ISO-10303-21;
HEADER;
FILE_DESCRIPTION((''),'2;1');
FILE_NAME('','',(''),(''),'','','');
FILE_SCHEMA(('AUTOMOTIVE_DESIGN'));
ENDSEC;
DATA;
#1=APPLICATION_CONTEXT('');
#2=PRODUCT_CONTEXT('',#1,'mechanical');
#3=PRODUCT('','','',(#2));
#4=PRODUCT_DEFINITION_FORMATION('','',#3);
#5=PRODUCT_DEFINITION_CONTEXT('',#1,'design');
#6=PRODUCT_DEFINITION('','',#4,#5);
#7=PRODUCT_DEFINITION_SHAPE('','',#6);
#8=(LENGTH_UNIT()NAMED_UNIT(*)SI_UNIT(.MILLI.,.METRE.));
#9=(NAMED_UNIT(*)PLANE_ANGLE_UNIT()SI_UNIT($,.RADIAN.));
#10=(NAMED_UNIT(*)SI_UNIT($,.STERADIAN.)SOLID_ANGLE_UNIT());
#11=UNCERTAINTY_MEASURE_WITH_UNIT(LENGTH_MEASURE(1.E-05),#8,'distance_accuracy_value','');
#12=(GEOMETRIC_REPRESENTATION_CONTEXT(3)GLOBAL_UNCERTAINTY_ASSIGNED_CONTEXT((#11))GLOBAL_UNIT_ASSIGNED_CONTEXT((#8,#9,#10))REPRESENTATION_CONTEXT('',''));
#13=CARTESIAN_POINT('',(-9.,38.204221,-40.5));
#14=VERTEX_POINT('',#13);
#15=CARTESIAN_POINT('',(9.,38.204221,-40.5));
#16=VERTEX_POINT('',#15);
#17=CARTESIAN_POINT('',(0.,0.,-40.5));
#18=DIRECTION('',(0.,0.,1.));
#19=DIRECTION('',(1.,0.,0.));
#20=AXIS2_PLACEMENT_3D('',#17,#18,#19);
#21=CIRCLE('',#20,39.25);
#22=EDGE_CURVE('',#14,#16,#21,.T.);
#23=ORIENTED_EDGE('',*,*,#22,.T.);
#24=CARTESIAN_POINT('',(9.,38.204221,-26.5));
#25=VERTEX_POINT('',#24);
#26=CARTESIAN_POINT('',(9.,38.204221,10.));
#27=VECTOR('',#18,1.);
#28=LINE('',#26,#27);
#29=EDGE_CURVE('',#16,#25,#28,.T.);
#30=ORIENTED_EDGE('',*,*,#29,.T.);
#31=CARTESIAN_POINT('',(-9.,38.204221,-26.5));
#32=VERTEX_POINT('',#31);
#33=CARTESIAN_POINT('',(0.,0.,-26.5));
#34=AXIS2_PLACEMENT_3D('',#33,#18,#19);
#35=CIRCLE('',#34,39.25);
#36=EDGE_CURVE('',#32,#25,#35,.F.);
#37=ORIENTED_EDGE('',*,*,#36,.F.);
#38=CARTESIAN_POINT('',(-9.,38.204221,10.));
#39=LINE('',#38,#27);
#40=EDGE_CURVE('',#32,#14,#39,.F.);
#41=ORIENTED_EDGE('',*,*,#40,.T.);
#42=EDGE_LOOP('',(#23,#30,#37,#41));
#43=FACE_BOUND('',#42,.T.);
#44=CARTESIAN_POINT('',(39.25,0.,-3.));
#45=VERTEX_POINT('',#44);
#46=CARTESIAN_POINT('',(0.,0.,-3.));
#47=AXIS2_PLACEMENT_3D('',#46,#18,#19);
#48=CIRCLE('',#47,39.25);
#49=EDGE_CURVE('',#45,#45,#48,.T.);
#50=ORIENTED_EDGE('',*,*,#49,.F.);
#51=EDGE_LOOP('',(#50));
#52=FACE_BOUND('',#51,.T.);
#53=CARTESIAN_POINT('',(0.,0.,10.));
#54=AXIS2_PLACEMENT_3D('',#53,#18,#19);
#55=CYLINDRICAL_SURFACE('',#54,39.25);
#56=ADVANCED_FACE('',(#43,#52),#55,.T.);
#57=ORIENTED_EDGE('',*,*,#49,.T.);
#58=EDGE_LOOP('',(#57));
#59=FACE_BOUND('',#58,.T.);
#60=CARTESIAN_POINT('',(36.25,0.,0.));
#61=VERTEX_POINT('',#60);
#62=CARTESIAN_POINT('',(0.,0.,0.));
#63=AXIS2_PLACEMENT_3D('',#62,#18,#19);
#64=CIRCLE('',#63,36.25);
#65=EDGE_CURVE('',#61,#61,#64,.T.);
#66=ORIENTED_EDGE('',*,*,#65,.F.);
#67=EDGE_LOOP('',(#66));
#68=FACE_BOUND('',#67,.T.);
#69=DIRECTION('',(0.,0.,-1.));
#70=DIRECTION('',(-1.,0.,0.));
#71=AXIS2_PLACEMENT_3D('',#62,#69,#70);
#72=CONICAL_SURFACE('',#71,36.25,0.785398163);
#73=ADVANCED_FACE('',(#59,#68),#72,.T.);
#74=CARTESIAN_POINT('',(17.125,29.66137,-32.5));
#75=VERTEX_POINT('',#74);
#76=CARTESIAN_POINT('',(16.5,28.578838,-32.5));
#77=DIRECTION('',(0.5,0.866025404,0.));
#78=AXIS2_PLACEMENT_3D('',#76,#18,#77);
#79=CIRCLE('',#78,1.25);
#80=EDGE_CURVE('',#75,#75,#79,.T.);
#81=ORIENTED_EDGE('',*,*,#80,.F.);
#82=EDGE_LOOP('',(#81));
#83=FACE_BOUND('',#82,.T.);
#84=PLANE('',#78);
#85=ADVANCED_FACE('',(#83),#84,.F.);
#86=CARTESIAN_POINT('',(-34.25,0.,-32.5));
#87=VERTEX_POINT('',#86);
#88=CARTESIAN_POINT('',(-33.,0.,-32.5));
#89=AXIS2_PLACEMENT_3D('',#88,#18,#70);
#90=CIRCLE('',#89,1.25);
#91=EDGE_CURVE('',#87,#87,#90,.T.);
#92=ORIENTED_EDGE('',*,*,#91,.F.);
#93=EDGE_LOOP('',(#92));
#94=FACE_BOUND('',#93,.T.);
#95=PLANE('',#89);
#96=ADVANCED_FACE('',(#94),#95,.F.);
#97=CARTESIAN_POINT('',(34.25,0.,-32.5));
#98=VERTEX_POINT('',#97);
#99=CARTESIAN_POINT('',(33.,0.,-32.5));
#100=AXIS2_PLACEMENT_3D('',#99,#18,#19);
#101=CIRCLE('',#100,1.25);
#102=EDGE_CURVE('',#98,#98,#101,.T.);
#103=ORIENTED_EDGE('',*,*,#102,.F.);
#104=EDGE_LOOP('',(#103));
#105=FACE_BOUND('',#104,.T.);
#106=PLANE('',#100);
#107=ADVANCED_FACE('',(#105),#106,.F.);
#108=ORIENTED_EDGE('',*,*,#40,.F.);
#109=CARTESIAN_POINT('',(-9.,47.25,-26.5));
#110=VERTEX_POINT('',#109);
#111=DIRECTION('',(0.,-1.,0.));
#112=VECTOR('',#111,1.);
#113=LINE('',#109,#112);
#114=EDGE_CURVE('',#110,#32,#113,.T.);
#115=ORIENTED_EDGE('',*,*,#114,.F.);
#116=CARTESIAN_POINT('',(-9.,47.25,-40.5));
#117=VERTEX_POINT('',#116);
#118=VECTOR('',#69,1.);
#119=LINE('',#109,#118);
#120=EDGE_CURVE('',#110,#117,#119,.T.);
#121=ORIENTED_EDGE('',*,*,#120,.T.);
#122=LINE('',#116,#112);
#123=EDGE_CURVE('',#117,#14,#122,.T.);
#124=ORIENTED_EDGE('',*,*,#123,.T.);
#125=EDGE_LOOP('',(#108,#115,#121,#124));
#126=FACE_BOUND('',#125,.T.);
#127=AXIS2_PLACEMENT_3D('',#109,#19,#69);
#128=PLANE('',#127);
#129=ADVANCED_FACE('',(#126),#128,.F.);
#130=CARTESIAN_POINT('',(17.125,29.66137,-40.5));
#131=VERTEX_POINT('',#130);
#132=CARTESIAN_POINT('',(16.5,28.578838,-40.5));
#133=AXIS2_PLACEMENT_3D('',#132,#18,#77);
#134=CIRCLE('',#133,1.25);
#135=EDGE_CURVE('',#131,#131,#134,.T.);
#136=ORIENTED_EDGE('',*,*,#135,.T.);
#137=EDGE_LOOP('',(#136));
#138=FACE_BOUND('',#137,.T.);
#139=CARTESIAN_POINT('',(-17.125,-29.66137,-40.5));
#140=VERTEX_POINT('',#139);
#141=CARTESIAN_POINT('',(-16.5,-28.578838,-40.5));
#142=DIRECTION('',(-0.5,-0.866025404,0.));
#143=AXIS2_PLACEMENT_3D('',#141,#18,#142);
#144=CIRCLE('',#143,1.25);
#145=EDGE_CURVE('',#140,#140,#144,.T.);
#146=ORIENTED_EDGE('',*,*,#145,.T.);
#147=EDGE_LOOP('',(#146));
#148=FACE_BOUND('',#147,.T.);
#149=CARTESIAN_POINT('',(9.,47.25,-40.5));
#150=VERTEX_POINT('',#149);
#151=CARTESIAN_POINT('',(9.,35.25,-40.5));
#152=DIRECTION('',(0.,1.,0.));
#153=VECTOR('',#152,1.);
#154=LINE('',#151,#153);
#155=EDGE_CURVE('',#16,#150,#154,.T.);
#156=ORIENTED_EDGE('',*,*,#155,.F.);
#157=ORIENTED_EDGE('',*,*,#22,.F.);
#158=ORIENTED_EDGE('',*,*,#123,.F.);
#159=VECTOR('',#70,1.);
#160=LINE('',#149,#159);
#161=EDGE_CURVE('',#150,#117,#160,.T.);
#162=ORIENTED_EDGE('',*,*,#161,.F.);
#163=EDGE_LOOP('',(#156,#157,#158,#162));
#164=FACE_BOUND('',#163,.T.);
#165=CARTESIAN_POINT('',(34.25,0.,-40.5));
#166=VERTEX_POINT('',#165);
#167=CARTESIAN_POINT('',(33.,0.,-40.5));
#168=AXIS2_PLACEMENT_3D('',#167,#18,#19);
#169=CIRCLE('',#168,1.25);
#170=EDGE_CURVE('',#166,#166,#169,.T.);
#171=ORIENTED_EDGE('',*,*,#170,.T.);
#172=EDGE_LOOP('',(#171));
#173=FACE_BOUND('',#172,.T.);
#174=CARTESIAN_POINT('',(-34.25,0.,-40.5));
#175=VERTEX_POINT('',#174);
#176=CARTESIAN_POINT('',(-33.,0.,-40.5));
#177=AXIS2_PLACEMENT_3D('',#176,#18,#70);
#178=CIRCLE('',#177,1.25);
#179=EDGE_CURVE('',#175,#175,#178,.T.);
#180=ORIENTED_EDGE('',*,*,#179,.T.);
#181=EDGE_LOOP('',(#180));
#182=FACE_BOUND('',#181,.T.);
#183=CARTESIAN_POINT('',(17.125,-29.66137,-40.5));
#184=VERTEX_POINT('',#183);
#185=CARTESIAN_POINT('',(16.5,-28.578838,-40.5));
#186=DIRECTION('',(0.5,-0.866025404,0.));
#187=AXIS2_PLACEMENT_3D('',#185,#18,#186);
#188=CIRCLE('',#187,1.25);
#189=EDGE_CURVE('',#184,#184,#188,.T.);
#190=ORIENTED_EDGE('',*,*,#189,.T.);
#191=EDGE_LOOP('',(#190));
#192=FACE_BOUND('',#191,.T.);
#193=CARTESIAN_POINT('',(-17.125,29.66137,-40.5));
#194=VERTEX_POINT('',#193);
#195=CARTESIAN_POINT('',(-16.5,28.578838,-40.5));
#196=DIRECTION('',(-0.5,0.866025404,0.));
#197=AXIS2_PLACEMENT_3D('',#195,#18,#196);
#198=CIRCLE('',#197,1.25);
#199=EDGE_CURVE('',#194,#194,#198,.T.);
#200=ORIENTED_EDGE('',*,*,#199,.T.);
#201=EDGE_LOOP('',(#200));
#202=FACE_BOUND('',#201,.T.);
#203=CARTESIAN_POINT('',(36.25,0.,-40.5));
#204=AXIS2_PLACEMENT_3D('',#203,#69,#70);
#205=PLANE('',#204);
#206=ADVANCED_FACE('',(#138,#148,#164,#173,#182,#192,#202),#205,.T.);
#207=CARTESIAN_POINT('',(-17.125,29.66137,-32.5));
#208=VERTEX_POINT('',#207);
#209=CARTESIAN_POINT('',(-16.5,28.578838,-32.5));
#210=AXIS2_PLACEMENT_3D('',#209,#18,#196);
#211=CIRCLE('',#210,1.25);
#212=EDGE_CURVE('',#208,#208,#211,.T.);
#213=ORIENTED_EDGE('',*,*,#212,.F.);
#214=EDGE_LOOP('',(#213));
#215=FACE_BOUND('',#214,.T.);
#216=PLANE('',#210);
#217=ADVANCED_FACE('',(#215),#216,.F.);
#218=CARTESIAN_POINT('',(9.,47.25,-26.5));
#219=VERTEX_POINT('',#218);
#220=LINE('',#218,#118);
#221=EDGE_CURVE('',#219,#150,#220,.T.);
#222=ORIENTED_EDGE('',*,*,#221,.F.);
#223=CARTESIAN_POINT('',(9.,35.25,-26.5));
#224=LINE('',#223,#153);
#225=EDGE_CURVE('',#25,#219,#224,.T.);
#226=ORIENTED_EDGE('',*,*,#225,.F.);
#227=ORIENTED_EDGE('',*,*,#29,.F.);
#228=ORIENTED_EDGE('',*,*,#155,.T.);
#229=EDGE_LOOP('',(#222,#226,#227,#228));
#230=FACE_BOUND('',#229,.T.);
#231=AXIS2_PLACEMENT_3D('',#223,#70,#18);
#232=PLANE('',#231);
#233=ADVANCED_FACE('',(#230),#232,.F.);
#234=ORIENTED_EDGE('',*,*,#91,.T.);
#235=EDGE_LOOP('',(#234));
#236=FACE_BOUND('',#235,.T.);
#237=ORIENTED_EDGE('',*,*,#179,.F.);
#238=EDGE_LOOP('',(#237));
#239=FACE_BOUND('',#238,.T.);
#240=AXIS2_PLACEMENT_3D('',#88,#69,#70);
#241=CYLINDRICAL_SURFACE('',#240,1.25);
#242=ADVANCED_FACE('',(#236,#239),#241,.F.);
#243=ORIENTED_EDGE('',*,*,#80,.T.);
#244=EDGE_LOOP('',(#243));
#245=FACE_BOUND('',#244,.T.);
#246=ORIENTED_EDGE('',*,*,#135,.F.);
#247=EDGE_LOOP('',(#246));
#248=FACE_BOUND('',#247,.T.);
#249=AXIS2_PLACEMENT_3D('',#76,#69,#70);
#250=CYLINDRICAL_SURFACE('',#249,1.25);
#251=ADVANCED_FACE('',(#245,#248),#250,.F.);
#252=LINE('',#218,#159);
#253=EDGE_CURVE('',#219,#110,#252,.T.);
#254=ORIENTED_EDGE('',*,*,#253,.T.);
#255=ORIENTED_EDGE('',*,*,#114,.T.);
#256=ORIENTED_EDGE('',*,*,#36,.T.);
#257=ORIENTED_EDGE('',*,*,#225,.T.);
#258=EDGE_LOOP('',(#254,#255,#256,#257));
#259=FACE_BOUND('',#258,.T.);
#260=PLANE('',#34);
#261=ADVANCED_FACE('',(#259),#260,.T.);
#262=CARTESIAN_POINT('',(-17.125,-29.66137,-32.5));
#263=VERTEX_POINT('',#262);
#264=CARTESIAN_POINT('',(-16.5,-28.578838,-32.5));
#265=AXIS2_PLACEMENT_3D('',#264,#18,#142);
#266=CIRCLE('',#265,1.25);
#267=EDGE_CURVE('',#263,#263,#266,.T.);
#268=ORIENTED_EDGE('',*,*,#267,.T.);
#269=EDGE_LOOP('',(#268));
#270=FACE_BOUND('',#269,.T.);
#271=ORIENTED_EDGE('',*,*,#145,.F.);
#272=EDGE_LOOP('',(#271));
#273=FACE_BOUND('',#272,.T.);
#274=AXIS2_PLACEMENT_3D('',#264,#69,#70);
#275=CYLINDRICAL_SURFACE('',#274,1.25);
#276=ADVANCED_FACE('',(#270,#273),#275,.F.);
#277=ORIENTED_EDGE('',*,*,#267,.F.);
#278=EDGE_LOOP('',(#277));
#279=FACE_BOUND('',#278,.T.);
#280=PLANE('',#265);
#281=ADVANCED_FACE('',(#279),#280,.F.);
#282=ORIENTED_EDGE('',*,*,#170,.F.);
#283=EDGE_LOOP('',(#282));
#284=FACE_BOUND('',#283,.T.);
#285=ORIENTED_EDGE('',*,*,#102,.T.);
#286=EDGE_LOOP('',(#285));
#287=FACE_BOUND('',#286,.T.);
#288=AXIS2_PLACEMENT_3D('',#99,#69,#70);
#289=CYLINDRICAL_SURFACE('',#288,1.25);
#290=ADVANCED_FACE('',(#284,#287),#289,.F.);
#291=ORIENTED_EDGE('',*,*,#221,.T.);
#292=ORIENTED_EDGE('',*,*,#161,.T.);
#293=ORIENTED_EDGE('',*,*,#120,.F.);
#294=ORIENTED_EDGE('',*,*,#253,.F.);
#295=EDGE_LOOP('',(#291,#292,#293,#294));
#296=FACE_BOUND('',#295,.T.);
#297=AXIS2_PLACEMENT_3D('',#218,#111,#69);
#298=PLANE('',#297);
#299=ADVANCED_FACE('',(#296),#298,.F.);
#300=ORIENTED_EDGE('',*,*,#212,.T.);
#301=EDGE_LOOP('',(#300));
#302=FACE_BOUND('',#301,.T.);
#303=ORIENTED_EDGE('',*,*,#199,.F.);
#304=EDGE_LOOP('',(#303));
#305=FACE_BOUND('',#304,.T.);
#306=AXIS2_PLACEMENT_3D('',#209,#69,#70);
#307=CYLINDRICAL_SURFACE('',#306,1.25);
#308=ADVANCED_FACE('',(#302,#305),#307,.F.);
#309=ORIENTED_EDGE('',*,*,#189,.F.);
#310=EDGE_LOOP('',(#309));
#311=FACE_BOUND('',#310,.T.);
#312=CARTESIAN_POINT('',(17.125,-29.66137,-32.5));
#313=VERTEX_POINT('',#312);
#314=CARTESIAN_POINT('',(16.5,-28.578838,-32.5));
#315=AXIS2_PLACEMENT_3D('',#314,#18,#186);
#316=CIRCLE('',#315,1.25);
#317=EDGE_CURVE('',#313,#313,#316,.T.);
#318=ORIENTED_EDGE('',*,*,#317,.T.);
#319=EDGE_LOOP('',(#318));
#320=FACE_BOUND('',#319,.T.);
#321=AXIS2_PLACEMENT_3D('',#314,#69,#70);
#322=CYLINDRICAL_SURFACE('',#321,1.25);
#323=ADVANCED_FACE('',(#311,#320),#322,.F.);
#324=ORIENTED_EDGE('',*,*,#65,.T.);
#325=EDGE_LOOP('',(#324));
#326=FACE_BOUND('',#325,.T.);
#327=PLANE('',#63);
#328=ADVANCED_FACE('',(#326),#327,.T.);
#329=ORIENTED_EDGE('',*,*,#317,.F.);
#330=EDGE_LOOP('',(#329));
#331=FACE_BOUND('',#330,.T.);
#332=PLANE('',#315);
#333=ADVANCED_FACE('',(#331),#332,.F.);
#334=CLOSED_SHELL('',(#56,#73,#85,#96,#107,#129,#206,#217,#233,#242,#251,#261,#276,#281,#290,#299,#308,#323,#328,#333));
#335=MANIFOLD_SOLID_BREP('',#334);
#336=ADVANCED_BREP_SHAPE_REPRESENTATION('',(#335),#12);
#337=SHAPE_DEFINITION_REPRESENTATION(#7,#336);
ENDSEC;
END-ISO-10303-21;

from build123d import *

# Parameters (mm, degrees)
SK_REARHOLE_R           = 1.25
REAR_TAPPED_HOLE_DEPTH  = 8
REAR_HOLE_PATTERN_COUNT = 6
SK_CONNECTOR_W          = 18
SK_CONNECTOR_H          = 12
CONNECTOR_ZONE_DEPTH    = 14


with BuildPart() as part:
    # SK_Body → Housing_Body (revolve)
    with BuildSketch(Plane(origin=(0, 0, 0), x_dir=(1, 0, 0), z_dir=(0, 1, 0))):
        Polygon((0, 0), (36.25, 0), (39.25, 3), (39.25, 40.5), (36.25, 40.5), (0, 40.5), align=None)
    revolve(axis=Axis((0, 0, 10), (0, 0, -1)))

    # SK_RearHole → Rear_Tapped_Hole (cut)
    with BuildSketch(Plane.XY.offset(-40.5)):
        with Locations((33, 0)):
            Circle(SK_REARHOLE_R)
    rear_tapped_hole = extrude(amount=REAR_TAPPED_HOLE_DEPTH, mode=Mode.SUBTRACT)

    # Rear_Hole_Pattern: Rear_Tapped_Hole ×6 about axis
    rear_hole_pattern_axis = Axis((0, 0, -42.525), (0, 0, 1))
    for i in range(1, REAR_HOLE_PATTERN_COUNT):
        add(rear_tapped_hole.rotate(rear_hole_pattern_axis, i * 360 / REAR_HOLE_PATTERN_COUNT), mode=Mode.SUBTRACT)

    # SK_Connector → Connector_Zone (add)
    with BuildSketch(Plane.XY.offset(-40.5)):
        with Locations((0, 41.25)):
            Rectangle(SK_CONNECTOR_W, SK_CONNECTOR_H)
    extrude(amount=CONNECTOR_ZONE_DEPTH)


solid = part.part
